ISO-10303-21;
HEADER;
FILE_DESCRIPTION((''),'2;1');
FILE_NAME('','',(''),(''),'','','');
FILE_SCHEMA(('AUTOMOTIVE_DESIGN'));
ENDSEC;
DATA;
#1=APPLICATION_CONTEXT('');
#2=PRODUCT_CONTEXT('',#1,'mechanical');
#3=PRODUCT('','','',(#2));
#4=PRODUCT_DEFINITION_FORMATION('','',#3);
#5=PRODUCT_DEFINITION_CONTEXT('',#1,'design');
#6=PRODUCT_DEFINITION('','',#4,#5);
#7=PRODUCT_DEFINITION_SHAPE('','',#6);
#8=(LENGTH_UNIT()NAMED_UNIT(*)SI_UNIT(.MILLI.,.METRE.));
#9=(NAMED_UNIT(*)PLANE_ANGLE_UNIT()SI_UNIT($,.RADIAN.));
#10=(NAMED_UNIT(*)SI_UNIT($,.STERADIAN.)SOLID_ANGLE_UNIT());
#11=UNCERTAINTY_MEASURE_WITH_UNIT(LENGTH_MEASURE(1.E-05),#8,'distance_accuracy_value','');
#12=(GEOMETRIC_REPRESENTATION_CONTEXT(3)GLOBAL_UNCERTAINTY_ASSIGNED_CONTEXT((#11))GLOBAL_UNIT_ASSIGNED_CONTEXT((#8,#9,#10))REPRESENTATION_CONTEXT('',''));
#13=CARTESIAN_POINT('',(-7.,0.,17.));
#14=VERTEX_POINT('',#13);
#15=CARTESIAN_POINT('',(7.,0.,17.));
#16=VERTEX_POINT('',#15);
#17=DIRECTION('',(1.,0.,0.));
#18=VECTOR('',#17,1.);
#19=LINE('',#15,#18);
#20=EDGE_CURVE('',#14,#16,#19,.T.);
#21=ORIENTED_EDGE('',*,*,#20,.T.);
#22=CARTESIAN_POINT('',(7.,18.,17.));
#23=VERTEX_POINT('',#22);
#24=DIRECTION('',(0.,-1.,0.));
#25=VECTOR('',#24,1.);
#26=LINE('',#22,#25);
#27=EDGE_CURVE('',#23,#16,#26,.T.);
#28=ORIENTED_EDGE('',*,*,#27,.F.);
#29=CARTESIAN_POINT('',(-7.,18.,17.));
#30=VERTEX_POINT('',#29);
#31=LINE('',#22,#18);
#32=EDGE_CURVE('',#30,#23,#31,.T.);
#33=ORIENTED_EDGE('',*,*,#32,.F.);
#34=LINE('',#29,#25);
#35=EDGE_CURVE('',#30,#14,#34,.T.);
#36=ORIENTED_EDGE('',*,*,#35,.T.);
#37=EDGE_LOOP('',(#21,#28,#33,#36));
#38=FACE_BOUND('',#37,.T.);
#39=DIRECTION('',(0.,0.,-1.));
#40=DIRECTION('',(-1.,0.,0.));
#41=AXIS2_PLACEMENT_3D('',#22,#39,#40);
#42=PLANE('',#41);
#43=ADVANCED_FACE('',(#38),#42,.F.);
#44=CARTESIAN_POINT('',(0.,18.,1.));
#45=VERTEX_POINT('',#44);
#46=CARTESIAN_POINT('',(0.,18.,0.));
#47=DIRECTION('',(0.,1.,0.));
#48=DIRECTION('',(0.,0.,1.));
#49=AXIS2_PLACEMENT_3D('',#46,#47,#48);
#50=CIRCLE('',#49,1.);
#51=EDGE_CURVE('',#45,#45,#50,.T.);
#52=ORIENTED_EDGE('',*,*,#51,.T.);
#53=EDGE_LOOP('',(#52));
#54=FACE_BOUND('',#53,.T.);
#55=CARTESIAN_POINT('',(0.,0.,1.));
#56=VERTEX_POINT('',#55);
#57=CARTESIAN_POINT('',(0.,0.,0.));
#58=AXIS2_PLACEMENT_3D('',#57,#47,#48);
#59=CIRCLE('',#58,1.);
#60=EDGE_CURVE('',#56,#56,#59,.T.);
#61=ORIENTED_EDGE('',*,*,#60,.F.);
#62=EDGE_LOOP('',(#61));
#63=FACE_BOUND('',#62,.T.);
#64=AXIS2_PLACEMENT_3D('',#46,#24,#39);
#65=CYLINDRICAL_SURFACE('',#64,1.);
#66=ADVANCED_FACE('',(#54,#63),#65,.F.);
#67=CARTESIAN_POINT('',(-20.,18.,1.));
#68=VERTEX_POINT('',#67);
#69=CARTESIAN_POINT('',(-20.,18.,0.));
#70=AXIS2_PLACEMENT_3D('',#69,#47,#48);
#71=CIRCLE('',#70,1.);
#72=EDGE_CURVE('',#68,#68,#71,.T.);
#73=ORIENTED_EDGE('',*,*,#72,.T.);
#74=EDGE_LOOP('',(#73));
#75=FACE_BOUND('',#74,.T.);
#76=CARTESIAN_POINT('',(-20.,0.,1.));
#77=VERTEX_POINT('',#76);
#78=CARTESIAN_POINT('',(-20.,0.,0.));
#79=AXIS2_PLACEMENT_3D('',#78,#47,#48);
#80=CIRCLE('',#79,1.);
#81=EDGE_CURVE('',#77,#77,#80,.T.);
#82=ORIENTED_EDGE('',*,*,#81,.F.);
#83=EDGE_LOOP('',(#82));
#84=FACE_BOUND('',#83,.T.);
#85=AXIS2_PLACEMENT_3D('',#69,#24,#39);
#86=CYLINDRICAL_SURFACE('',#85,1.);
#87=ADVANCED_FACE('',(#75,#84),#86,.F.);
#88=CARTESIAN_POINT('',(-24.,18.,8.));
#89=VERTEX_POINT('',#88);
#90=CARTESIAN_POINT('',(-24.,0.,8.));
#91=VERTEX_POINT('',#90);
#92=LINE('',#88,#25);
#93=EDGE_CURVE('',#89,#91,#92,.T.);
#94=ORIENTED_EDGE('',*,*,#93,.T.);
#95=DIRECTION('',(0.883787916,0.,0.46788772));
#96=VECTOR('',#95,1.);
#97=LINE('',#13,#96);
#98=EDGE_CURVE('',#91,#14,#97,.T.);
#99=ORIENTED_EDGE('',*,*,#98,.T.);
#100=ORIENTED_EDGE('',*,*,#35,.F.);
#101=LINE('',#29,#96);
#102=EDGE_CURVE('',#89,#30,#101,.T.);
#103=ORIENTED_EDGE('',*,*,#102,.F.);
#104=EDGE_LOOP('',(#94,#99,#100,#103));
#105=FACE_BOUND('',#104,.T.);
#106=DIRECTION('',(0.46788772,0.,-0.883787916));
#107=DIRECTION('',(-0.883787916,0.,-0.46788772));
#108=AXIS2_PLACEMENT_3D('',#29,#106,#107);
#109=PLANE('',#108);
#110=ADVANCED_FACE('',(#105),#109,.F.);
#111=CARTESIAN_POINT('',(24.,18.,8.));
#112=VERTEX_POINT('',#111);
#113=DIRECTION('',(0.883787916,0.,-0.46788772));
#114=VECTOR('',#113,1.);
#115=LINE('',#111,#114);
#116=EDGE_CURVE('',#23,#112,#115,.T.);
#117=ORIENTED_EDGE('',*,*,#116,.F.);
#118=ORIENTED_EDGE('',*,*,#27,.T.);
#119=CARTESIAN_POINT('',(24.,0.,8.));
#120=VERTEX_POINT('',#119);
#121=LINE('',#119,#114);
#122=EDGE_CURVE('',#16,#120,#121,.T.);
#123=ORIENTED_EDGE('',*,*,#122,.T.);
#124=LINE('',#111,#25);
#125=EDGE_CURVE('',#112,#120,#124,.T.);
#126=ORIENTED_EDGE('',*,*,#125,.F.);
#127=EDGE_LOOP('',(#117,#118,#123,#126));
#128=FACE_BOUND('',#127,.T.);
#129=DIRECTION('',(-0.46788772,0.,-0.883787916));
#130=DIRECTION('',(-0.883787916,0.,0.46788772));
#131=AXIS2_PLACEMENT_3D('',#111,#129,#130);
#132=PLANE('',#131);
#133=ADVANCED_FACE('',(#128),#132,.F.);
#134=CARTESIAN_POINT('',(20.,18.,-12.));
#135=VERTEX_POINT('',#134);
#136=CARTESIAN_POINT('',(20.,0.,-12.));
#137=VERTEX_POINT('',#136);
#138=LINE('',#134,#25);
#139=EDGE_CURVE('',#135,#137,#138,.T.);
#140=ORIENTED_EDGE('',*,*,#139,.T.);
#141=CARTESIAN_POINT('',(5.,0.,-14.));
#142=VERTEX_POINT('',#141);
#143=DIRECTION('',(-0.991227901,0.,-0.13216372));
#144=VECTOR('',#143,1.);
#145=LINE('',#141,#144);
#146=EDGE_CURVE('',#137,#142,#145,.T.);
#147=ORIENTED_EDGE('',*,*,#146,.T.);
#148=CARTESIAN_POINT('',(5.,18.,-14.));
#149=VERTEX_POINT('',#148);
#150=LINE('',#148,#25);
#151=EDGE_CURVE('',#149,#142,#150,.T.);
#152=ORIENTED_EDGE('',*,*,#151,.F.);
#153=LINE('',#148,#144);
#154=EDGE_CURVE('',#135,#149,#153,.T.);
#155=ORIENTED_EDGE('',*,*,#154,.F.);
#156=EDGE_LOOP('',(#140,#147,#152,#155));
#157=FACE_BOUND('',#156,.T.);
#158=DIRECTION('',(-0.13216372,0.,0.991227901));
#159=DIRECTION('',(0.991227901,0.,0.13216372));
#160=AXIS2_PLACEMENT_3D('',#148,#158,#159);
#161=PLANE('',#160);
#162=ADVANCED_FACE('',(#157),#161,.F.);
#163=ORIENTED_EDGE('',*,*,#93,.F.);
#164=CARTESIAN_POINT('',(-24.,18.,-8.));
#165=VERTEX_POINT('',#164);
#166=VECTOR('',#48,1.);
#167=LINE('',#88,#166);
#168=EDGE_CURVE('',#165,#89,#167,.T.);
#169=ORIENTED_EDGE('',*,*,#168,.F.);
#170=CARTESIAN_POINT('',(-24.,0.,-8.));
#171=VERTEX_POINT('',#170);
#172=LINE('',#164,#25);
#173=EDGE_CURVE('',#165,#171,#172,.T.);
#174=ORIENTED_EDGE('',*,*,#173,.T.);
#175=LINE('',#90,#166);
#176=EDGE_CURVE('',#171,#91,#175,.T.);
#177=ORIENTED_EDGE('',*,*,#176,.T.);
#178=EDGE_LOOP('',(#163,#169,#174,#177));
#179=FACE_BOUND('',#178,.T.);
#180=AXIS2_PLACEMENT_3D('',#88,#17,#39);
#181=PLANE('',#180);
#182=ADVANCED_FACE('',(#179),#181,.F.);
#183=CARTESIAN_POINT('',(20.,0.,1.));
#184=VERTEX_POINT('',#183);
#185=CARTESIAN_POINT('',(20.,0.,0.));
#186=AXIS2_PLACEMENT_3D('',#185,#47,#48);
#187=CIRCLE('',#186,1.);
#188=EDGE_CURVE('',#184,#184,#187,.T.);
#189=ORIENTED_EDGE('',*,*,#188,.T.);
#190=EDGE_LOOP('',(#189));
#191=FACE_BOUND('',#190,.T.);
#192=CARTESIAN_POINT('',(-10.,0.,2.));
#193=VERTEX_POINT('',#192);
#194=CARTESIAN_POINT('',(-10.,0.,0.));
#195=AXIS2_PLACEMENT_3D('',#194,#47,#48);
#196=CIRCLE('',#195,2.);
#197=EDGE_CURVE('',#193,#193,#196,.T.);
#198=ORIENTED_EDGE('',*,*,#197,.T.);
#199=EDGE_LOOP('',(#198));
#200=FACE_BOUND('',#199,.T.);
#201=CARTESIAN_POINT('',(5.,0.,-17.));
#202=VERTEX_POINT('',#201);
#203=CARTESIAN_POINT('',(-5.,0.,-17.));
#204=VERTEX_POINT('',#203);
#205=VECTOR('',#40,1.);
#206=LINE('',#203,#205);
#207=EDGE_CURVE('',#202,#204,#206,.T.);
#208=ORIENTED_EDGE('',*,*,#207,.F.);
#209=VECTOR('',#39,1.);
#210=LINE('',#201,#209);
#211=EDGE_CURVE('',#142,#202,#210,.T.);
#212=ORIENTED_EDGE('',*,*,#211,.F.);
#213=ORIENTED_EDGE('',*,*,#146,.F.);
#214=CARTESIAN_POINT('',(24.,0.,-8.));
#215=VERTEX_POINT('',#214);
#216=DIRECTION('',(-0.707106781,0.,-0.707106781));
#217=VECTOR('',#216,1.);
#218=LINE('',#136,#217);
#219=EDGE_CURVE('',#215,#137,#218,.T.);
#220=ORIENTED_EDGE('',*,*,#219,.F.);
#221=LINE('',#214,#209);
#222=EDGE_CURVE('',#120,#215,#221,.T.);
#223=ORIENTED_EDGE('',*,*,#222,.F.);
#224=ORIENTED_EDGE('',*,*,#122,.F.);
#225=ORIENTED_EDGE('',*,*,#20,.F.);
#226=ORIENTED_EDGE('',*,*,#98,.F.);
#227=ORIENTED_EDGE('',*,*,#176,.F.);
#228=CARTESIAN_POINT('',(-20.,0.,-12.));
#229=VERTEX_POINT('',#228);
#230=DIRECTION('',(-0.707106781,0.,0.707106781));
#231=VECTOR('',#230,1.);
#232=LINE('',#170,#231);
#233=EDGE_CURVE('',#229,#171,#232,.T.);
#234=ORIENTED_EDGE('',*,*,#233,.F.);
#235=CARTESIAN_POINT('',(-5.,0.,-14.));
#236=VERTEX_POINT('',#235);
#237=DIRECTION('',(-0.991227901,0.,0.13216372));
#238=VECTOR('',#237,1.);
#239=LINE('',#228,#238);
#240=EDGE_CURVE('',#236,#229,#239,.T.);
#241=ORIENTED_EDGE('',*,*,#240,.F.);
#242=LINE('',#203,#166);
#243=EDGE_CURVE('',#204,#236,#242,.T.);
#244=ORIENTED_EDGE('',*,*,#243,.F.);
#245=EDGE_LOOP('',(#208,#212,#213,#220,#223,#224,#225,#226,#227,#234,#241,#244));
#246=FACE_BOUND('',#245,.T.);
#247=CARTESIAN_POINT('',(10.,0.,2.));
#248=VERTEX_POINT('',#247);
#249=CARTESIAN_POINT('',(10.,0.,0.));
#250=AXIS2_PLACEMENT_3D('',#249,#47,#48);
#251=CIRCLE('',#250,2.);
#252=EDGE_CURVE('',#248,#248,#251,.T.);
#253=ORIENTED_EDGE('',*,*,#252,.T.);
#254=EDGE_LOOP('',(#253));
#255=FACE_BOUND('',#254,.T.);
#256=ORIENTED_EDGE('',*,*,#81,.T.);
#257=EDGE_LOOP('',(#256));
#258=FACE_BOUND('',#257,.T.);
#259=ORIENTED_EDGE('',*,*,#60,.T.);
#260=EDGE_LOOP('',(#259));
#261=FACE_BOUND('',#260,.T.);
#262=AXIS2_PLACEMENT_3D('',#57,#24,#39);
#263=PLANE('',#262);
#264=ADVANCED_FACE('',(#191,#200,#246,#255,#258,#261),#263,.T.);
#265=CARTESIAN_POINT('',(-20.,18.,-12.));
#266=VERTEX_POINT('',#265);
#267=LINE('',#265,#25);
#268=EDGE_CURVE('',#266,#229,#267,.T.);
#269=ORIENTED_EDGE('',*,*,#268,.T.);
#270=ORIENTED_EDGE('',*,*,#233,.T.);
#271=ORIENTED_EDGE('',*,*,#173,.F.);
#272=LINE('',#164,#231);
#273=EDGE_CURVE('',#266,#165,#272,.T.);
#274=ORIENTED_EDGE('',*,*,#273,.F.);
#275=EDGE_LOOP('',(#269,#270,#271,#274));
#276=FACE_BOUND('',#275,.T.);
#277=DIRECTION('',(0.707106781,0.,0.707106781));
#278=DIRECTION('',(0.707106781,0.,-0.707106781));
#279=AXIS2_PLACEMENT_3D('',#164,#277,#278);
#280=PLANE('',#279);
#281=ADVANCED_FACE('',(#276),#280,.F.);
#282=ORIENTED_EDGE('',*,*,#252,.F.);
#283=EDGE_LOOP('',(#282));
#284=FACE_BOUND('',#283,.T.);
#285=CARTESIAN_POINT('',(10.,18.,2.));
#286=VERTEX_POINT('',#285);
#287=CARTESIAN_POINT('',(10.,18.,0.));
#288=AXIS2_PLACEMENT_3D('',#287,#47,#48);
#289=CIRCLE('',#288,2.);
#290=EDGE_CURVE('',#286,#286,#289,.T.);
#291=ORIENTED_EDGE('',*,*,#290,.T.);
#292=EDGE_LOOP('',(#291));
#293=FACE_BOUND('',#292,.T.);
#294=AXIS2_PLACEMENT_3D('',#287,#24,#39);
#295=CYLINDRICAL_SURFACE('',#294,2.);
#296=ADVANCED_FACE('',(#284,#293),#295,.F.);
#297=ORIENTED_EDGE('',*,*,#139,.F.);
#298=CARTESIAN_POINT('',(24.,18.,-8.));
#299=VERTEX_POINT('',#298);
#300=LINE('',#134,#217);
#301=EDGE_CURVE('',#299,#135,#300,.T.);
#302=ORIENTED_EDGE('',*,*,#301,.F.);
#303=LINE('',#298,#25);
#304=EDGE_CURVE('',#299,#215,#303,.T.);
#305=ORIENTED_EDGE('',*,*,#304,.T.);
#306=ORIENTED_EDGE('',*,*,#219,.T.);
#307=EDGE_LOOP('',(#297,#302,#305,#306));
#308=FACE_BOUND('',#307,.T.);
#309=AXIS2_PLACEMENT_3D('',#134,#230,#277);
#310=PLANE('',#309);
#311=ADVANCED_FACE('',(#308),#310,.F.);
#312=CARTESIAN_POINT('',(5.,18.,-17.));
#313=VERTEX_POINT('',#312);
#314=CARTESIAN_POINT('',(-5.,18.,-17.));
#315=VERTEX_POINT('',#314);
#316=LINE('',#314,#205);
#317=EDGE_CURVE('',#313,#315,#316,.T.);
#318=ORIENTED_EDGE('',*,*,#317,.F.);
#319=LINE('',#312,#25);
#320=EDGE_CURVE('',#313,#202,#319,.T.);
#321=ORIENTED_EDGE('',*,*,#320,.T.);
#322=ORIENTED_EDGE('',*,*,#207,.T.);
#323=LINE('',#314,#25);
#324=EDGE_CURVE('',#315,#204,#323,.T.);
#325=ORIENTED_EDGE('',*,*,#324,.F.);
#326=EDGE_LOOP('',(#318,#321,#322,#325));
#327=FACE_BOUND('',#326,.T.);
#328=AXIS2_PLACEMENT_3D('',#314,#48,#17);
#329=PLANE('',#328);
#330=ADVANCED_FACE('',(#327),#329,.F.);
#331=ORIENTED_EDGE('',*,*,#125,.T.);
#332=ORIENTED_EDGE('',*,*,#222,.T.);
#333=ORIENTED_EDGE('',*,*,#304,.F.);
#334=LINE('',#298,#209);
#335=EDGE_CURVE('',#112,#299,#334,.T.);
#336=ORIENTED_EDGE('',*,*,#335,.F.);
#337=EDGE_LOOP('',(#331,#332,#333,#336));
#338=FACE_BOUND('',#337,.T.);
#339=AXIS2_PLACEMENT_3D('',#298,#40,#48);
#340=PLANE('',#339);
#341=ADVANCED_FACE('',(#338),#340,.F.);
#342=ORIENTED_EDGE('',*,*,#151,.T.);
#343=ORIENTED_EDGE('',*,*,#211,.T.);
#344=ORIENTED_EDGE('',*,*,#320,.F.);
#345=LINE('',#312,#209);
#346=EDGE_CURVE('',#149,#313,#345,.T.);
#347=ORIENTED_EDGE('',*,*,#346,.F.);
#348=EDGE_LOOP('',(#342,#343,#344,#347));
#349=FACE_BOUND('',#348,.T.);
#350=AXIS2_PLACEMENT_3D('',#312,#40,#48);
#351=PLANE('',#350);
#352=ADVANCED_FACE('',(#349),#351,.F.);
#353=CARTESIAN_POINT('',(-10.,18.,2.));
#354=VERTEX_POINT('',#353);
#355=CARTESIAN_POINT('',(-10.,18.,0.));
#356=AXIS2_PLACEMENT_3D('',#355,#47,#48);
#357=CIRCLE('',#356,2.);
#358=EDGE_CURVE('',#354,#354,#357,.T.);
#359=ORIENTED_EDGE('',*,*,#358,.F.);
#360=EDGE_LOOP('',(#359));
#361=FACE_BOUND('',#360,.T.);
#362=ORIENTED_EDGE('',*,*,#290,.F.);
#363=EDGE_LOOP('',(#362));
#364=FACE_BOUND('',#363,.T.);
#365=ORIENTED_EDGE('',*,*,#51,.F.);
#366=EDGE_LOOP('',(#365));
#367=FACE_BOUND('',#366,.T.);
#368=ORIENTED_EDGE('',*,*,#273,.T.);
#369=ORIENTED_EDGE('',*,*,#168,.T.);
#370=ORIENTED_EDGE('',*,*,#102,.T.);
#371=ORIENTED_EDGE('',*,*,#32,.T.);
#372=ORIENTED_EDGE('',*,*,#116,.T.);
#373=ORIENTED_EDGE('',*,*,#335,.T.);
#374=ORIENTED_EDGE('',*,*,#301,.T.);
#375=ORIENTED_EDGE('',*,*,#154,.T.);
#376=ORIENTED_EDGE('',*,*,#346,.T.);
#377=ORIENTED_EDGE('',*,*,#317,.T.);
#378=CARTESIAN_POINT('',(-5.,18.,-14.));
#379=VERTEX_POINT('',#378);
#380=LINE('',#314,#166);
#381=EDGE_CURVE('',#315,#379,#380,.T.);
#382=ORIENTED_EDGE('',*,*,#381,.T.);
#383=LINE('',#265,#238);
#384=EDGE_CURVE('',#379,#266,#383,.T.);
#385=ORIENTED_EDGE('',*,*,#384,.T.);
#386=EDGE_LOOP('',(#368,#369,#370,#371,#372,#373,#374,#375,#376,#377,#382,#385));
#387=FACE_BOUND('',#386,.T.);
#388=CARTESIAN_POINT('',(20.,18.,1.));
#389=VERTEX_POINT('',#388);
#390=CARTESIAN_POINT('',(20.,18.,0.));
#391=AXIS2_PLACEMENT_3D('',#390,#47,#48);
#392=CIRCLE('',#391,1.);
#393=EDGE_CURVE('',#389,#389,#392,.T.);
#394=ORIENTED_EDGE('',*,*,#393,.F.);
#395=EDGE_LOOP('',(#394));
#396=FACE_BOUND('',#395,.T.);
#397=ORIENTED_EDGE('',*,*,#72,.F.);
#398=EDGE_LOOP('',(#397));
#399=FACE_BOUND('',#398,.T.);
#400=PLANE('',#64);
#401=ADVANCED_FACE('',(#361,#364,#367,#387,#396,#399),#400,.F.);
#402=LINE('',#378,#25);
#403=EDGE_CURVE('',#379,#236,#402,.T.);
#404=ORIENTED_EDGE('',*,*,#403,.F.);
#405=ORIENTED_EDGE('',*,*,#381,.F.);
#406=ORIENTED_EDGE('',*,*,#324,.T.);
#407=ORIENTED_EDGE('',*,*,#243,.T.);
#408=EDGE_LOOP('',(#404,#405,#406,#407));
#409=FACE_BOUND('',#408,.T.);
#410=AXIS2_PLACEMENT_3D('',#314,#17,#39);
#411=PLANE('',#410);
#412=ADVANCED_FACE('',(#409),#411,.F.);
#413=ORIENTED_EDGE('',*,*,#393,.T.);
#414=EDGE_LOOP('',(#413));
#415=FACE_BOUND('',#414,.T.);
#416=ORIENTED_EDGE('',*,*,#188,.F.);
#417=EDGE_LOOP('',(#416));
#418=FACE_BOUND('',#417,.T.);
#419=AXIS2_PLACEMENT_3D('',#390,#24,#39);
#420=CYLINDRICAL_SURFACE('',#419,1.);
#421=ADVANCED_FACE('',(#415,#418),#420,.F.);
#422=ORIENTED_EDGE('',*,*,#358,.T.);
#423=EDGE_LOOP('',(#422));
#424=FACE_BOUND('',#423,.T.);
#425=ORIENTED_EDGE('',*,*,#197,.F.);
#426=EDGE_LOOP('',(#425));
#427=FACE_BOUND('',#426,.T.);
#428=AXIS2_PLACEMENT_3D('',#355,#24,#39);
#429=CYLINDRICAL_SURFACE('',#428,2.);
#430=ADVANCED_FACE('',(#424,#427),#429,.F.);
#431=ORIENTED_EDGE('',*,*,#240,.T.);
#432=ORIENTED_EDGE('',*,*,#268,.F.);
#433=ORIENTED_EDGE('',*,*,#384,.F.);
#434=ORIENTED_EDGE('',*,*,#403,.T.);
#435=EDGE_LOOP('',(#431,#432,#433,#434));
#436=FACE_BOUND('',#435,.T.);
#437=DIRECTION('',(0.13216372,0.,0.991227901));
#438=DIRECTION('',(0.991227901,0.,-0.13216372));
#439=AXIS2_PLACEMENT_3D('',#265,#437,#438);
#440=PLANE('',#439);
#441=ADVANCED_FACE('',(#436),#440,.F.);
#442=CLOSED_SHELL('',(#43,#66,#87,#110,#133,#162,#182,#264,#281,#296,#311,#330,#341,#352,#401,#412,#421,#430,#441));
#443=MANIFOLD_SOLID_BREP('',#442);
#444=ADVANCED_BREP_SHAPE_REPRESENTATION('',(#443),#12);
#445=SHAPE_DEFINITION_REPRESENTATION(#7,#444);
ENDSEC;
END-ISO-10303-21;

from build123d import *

# Parameters (mm, degrees)
SKETCH_1_R      = 1
SKETCH_1_R_2    = 2
EXTRUDE_1_DEPTH = 18


with BuildPart() as part:
    # Эскиз1 → Бобышка-Вытянуть1 (new body)
    with BuildSketch(Plane(origin=(0, 0, 0), x_dir=(1, 0, 0), z_dir=(0, 1, 0))):
        Polygon((24, 8), (24, -8), (7, -17), (-7, -17), (-24, -8), (-24, 8), (-20, 12), (-5, 14), (-5, 17), (5, 17), (5, 14), (20, 12), align=None)
        Circle(SKETCH_1_R, mode=Mode.SUBTRACT)
        with Locations((20, 0)):
            Circle(SKETCH_1_R, mode=Mode.SUBTRACT)
        with Locations((-20, 0)):
            Circle(SKETCH_1_R, mode=Mode.SUBTRACT)
        with Locations((-10, 0)):
            Circle(SKETCH_1_R_2, mode=Mode.SUBTRACT)
        with Locations((10, 0)):
            Circle(SKETCH_1_R_2, mode=Mode.SUBTRACT)
    extrude(amount=EXTRUDE_1_DEPTH)


solid = part.part
